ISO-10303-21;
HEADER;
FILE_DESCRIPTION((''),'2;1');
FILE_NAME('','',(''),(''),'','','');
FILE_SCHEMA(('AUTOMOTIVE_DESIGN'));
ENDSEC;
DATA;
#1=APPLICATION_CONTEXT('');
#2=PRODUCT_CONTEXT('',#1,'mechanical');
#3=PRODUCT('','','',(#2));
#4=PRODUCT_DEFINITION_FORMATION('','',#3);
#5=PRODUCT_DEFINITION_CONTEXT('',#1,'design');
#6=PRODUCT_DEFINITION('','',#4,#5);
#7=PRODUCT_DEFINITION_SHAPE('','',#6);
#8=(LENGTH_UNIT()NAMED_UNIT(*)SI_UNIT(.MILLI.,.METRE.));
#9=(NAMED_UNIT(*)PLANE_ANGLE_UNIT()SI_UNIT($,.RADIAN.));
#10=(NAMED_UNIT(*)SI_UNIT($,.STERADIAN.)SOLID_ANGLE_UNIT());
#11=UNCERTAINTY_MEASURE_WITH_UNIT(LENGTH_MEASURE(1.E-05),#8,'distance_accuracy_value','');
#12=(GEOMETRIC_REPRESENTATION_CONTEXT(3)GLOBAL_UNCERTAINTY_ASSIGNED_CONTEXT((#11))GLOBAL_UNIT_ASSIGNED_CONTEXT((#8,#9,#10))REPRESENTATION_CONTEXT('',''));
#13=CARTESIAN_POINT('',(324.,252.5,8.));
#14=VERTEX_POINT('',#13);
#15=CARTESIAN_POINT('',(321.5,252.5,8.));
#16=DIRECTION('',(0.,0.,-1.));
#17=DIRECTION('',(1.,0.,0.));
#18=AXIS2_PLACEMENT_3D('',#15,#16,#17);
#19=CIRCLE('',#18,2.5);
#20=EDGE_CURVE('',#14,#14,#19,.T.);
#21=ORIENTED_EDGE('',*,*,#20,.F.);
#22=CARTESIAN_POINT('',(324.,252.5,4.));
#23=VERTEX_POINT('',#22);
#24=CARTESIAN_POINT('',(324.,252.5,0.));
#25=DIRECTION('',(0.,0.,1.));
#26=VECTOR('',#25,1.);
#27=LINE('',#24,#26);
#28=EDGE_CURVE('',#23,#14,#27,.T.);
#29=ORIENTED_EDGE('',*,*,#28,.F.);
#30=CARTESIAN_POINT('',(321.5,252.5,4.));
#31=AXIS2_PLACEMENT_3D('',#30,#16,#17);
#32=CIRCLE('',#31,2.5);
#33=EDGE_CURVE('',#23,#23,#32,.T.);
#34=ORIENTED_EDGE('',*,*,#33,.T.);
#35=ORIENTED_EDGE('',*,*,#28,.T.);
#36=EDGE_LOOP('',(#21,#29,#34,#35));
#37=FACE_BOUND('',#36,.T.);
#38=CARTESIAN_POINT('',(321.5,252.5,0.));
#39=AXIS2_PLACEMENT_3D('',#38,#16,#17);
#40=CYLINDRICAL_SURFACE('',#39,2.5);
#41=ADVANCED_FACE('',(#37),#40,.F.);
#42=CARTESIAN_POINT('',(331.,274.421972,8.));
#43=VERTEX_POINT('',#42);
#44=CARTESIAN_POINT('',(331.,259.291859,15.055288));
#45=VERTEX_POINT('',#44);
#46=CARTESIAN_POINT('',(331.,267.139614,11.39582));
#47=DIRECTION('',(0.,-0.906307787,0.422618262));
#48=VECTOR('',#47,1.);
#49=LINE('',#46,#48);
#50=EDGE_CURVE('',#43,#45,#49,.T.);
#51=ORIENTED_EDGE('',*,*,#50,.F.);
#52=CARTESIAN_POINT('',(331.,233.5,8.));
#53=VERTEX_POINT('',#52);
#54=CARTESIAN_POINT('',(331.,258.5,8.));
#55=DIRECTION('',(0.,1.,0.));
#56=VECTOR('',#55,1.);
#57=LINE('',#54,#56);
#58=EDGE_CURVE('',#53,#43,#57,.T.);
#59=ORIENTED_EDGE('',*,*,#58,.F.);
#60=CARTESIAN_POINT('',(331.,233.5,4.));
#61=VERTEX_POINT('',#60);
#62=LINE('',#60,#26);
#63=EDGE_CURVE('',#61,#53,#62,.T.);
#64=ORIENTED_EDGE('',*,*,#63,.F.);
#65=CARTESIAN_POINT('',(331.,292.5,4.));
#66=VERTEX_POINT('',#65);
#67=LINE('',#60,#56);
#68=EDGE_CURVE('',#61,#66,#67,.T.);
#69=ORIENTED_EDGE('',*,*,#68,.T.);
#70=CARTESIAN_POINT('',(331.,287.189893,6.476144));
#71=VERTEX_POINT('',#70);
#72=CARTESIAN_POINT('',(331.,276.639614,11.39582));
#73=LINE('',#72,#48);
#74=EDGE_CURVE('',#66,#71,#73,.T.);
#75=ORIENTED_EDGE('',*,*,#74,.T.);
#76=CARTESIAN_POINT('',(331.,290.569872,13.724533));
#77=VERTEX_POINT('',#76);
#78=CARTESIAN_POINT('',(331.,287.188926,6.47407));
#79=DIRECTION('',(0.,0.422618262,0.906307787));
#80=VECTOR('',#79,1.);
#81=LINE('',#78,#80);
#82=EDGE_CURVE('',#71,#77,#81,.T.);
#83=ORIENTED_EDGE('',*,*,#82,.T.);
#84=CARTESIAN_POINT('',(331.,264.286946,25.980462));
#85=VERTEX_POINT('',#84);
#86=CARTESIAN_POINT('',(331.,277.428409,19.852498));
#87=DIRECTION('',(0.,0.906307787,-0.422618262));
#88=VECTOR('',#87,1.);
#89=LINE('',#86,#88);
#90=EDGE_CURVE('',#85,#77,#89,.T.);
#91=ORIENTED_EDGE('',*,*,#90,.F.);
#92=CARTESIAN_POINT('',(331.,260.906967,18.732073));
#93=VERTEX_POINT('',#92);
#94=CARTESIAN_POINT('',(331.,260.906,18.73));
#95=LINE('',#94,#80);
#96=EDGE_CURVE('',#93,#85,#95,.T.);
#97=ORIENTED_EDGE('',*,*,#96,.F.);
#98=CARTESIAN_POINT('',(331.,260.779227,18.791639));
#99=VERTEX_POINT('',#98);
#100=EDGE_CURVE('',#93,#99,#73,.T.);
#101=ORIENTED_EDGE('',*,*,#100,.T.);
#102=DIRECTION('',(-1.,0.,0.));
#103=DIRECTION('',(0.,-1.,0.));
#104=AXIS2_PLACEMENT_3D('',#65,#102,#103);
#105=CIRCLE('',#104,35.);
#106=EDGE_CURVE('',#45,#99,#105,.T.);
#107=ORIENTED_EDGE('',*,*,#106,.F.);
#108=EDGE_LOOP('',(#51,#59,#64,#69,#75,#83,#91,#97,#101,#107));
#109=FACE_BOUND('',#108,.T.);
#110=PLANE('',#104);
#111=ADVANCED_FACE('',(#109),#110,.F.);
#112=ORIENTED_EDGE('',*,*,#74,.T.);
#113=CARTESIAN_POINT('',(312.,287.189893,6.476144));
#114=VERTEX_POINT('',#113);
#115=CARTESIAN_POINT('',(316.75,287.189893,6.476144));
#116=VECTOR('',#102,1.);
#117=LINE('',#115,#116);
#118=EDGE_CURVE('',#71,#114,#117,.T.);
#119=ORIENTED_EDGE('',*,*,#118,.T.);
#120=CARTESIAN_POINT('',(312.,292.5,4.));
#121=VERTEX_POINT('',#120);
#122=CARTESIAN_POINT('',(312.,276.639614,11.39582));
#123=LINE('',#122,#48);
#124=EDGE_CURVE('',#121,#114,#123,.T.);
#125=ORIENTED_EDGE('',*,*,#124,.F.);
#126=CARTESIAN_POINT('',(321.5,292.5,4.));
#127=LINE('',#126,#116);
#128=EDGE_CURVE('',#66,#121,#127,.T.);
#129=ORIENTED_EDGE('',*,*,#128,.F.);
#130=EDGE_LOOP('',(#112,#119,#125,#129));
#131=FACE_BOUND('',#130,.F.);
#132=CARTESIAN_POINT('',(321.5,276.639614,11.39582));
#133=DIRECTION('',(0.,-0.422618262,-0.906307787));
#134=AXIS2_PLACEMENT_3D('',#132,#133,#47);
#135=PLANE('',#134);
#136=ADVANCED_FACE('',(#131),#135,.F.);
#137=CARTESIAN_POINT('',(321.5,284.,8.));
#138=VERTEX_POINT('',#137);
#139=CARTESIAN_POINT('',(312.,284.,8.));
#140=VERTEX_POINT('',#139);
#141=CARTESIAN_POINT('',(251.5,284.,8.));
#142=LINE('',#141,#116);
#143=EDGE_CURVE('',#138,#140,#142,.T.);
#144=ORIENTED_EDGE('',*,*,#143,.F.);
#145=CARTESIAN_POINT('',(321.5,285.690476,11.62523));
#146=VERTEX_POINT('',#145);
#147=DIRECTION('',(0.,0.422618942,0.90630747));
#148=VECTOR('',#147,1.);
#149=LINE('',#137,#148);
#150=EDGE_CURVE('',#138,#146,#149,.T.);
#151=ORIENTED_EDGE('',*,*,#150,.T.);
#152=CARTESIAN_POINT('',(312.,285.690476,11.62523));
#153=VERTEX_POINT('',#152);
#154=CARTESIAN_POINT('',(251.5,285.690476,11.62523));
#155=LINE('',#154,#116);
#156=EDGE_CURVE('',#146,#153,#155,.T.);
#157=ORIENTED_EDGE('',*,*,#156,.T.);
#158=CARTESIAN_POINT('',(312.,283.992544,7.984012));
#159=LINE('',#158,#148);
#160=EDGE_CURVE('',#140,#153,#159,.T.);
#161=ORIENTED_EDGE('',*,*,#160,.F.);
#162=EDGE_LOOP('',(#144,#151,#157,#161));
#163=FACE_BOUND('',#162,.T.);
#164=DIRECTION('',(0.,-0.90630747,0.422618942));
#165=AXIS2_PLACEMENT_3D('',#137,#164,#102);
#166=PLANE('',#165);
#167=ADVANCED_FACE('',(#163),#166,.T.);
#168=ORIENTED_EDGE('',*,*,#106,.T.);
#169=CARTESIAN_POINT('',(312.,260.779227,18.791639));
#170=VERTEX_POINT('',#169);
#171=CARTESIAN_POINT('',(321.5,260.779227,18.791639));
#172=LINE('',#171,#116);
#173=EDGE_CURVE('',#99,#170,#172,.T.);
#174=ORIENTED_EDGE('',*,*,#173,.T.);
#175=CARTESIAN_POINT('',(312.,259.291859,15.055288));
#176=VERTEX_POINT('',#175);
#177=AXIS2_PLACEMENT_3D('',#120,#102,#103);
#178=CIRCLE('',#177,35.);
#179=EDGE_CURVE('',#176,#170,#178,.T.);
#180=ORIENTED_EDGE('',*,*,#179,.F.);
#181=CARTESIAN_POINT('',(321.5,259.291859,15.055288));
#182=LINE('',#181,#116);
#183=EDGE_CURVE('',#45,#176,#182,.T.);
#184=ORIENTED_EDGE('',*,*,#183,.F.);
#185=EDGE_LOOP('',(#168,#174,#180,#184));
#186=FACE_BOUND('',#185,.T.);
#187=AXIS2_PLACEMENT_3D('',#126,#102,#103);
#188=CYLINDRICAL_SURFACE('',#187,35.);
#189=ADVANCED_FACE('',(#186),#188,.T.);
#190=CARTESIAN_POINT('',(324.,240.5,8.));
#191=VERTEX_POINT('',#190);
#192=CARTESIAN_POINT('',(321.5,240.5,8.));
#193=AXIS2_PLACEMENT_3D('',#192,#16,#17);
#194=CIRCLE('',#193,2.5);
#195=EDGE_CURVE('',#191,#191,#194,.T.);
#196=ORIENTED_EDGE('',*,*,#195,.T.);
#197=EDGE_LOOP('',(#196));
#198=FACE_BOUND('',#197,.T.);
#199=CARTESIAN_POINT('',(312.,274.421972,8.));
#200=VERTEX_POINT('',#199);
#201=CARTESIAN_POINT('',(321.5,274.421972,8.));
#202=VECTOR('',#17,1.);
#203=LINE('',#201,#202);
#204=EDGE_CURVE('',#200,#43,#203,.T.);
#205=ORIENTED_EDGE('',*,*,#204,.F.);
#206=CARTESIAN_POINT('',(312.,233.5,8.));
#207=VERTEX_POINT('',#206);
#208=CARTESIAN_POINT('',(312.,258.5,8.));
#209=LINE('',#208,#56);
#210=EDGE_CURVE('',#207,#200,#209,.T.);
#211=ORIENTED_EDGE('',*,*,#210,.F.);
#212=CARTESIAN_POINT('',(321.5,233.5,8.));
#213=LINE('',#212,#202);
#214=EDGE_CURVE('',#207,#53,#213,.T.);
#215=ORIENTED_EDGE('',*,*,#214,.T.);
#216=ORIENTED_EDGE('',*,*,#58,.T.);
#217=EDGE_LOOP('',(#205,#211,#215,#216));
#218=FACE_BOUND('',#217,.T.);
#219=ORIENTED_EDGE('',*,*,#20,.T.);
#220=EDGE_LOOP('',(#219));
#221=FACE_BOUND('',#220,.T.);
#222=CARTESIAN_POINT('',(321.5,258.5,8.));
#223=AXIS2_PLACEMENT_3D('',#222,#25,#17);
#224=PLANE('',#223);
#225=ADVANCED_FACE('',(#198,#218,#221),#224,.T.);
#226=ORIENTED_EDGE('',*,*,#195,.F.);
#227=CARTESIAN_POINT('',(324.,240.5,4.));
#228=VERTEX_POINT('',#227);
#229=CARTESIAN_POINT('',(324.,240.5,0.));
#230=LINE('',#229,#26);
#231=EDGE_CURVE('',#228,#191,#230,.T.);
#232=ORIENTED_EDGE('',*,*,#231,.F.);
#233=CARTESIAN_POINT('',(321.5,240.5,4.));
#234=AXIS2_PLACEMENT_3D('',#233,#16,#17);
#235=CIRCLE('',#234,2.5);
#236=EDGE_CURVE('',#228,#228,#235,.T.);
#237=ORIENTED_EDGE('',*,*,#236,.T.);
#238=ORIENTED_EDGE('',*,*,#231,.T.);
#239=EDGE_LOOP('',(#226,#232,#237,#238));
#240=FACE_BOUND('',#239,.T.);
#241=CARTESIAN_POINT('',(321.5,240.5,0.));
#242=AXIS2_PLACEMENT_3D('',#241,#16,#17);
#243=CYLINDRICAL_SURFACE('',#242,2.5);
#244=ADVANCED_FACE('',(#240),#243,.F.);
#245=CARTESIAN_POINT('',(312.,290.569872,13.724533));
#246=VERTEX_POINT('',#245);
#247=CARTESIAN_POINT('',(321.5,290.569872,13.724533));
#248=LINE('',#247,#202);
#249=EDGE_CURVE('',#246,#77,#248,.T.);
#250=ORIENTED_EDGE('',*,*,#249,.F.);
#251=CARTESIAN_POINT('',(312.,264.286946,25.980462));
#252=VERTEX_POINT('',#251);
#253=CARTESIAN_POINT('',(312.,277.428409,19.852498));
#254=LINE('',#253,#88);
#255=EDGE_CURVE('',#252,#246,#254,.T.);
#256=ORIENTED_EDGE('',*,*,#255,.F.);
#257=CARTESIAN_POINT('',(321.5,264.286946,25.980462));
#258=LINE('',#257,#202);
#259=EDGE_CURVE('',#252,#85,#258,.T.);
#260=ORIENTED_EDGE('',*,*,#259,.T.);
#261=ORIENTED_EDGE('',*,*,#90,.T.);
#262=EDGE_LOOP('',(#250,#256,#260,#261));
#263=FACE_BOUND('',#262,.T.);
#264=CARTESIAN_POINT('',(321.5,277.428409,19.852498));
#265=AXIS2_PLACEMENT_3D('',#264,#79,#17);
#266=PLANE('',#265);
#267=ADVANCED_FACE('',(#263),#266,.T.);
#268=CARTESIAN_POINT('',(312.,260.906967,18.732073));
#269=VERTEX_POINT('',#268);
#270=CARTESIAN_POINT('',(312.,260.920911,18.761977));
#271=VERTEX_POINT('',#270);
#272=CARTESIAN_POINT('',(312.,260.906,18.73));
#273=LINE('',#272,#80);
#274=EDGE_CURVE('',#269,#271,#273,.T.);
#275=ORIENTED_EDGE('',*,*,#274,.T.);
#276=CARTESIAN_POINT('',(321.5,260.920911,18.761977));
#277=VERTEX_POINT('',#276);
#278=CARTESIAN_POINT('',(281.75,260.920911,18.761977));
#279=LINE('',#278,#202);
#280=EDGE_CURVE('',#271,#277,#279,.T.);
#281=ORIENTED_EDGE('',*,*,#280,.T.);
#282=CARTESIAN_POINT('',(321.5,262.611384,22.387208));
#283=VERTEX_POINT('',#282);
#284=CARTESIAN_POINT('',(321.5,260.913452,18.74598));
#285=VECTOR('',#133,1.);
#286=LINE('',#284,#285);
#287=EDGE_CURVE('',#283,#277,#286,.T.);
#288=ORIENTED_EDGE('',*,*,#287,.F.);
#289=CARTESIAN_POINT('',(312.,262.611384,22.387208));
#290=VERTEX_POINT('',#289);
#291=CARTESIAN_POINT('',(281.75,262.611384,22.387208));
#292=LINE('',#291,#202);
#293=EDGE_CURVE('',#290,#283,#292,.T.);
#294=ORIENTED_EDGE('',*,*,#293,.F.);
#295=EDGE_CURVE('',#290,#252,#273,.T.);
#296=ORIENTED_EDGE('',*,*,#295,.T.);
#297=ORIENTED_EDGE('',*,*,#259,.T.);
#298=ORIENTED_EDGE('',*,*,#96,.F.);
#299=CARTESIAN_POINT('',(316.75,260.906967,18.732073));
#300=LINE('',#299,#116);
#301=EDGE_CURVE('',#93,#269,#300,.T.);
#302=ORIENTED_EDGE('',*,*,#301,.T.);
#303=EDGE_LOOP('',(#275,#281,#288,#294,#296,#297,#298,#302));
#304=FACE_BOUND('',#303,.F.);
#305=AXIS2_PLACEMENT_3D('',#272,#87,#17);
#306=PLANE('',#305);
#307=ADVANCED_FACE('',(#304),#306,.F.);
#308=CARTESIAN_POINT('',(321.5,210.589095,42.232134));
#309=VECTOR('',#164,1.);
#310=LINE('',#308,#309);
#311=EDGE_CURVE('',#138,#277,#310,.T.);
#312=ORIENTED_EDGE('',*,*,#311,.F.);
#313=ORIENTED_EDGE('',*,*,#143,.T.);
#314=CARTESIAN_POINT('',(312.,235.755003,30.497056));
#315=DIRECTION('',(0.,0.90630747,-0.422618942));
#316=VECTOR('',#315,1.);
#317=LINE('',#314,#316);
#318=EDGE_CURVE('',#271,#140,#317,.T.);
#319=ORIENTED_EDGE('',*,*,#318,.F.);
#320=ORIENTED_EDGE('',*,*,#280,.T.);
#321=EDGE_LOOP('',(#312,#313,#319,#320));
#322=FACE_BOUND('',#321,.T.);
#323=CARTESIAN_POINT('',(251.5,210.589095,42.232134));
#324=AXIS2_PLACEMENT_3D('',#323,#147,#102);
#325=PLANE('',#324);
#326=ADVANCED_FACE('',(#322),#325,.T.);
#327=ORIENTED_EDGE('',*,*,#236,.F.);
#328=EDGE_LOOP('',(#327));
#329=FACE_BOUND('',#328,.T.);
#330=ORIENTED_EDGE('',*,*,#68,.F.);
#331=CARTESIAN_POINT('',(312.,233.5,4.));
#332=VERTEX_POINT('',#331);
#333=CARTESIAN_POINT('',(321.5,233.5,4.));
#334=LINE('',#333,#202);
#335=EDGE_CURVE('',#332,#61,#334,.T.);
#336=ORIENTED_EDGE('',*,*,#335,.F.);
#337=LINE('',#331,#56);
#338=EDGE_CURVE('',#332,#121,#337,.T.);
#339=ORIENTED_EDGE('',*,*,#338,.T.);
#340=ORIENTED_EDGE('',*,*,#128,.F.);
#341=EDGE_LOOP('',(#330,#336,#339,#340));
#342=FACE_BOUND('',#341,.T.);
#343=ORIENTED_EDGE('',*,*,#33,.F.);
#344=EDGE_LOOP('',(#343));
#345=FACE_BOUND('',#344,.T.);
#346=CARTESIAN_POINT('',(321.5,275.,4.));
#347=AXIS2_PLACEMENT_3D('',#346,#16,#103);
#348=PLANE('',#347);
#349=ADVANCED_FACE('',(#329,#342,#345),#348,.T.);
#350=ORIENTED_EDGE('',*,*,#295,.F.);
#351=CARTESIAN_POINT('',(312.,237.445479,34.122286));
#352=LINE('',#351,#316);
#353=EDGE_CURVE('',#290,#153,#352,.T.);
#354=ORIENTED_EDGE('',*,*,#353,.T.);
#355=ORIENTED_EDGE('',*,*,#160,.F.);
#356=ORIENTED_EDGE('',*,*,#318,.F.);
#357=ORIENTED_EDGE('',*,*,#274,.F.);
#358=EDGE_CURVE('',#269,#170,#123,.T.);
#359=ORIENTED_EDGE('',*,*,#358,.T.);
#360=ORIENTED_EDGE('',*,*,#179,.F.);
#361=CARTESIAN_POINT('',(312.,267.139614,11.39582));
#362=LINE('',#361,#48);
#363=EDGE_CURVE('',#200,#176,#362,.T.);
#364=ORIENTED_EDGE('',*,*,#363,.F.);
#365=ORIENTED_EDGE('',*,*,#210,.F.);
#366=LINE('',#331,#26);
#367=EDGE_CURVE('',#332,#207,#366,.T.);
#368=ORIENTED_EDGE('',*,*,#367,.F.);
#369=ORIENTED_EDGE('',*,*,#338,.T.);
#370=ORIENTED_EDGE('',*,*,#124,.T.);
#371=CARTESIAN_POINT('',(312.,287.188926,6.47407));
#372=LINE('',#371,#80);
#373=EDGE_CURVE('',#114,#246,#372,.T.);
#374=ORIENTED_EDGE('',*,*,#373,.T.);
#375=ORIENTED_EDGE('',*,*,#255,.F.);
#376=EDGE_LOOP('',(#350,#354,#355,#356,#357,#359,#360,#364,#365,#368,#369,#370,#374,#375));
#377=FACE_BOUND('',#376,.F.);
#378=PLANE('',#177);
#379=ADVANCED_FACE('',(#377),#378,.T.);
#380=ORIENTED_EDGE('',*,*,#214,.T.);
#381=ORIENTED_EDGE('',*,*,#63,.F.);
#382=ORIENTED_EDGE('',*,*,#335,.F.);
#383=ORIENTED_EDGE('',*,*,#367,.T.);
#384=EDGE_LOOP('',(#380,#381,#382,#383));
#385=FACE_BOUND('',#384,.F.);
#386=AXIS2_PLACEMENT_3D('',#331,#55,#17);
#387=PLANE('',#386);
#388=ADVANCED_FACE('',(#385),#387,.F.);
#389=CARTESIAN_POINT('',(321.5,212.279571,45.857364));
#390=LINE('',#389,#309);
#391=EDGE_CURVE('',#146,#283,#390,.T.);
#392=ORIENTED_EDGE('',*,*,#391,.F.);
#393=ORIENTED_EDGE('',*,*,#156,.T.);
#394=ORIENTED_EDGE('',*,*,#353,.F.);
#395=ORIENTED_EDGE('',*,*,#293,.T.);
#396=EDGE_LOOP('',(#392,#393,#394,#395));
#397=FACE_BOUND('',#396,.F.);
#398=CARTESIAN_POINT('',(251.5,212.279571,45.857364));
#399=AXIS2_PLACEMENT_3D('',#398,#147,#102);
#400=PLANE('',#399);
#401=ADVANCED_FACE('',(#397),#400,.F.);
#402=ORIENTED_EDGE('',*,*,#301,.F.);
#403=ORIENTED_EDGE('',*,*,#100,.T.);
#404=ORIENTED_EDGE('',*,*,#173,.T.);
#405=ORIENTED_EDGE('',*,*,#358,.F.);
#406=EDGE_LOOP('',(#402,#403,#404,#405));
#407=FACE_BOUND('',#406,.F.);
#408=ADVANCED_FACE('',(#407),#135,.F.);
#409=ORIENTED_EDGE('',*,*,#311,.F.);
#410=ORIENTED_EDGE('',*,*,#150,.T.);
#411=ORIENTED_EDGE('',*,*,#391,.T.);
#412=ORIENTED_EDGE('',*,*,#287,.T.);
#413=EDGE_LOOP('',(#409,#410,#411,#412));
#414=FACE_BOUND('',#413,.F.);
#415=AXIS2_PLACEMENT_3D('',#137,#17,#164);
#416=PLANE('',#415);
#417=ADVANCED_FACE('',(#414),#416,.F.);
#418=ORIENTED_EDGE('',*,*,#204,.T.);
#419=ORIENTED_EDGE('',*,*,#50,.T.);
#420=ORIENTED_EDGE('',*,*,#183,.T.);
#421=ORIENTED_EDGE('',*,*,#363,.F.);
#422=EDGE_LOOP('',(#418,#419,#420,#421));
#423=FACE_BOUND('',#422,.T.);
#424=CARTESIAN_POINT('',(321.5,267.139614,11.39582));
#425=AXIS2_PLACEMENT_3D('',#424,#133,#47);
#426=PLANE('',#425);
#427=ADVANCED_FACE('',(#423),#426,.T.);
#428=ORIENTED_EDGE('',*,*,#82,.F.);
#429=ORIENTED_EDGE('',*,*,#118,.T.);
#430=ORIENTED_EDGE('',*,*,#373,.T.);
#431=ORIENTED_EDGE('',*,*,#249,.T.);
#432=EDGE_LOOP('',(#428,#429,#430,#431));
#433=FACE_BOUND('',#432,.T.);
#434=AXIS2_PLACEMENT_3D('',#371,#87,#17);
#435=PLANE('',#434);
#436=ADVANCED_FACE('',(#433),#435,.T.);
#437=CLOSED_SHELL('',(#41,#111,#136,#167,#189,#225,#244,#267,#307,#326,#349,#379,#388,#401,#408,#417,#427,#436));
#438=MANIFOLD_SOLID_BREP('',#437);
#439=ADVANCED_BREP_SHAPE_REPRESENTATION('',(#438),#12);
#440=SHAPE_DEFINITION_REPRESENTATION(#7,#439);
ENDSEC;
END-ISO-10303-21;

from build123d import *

# Parameters (mm, degrees)
CYLINDER019_R          = 2.5
CYLINDER019_DEPTH      = 10
CYLINDER016_R          = 2.5
CYLINDER016_DEPTH      = 10
CYLINDER017_W          = 35
CYLINDER017_H          = 19
CYLINDER017_ANGLE      = 25
CYLINDER018_W          = 35
CYLINDER018_H          = 19
CYLINDER018_ANGLE      = 25
BOX028_W               = 19
BOX028_H               = 50
BOX028_DEPTH           = 4
BOX003_W               = 140
BOX003_H               = 162
BOX003_DEPTH           = 4
BOX003_ROLL_ANGLE      = 25.000043
BOX003_PLACEMENT_ANGLE = 180
BOX032_W               = 19
BOX032_H               = 29
BOX032_DEPTH           = 8
BOX032_PLACEMENT_ANGLE = 25


with BuildPart() as m4s003:
    # Cylinder019 → Cylinder019 (new body)
    with BuildSketch(Plane(origin=(177.5, 240.5, 0), x_dir=(1, 0, 0), z_dir=(0, 0, 1))):
        Circle(CYLINDER019_R)
    extrude(amount=CYLINDER019_DEPTH)


with BuildPart() as m4lowcut001:
    # Cylinder016 → Cylinder016 (new body)
    with BuildSketch(Plane(origin=(177.5, 252.5, 0), x_dir=(1, 0, 0), z_dir=(0, 0, 1))):
        Circle(CYLINDER016_R)
    extrude(amount=CYLINDER016_DEPTH)

    # Fusion010: union m4s003
    add(m4s003.part)


with BuildPart() as cylinder017:
    # Cylinder017 → Cylinder017 (revolve)
    with BuildSketch(Plane(origin=(187, 283, 4), x_dir=(0, -1, 0), z_dir=(0, 0, -1))):
        with Locations((17.5, 9.5)):
            Rectangle(CYLINDER017_W, CYLINDER017_H)
    revolve(axis=Axis((187, 283, 4), (-1, 0, 0)), revolution_arc=CYLINDER017_ANGLE)


with BuildPart() as bottom002:
    # Cylinder018 → Cylinder018 (revolve)
    with BuildSketch(Plane(origin=(187, 292.5, 4), x_dir=(0, -1, 0), z_dir=(0, 0, -1))):
        with Locations((17.5, 9.5)):
            Rectangle(CYLINDER018_W, CYLINDER018_H)
    revolve(axis=Axis((187, 292.5, 4), (-1, 0, 0)), revolution_arc=CYLINDER018_ANGLE)

    # Cut016: cut Cylinder017
    add(cylinder017.part, mode=Mode.SUBTRACT)


with BuildPart() as bottomright:
    # Box028 → Box028 (new body)
    with BuildSketch(Plane(origin=(168, 233.5, 4), x_dir=(1, 0, 0), z_dir=(0, 0, 1))):
        with Locations((9.5, 25)):
            Rectangle(BOX028_W, BOX028_H)
    extrude(amount=BOX028_DEPTH)

    # Fusion009: union bottom002
    add(bottom002.part)

    # Cut017: cut m4lowCut001
    add(m4lowcut001.part, mode=Mode.SUBTRACT)


with BuildPart() as bottomright_1:
    # Cut017 placement: moved
    add(bottomright.part.moved(Location((144, 0, 0))))


with BuildPart() as solar_panel002:
    # Box003 → Box003 (new body)
    with BuildSketch(Plane.XY):
        with Locations((70, 81)):
            Rectangle(BOX003_W, BOX003_H)
    extrude(amount=BOX003_DEPTH)


with BuildPart() as solar_panel002_1:
    # Box003 roll: moved
    add(solar_panel002.part.rotate(Axis((0, 0, 0), (1, 0, 0)), BOX003_ROLL_ANGLE))


with BuildPart() as solar_panel002_2:
    # Box003 placement: moved
    add(solar_panel002_1.part.moved(Location((321.5, 284, 8))).rotate(Axis((321.5, 284, 8), (0, 0, 1)), BOX003_PLACEMENT_ANGLE))


with BuildPart() as topright001:
    # Box032 → Box032 (new body)
    with BuildSketch(Plane.XY):
        with Locations((9.5, 14.5)):
            Rectangle(BOX032_W, BOX032_H)
    extrude(amount=BOX032_DEPTH)


with BuildPart() as topright001_1:
    # Box032 placement: moved
    add(topright001.part.moved(Location((312, 260.906, 18.73))).rotate(Axis((312, 260.906, 18.73), (-1, 0, 0)), BOX032_PLACEMENT_ANGLE))

    # Cut024: cut solar Panel002
    add(solar_panel002_2.part, mode=Mode.SUBTRACT)

    # Fusion028: union bottomRight
    add(bottomright_1.part)


solid = topright001_1.part
